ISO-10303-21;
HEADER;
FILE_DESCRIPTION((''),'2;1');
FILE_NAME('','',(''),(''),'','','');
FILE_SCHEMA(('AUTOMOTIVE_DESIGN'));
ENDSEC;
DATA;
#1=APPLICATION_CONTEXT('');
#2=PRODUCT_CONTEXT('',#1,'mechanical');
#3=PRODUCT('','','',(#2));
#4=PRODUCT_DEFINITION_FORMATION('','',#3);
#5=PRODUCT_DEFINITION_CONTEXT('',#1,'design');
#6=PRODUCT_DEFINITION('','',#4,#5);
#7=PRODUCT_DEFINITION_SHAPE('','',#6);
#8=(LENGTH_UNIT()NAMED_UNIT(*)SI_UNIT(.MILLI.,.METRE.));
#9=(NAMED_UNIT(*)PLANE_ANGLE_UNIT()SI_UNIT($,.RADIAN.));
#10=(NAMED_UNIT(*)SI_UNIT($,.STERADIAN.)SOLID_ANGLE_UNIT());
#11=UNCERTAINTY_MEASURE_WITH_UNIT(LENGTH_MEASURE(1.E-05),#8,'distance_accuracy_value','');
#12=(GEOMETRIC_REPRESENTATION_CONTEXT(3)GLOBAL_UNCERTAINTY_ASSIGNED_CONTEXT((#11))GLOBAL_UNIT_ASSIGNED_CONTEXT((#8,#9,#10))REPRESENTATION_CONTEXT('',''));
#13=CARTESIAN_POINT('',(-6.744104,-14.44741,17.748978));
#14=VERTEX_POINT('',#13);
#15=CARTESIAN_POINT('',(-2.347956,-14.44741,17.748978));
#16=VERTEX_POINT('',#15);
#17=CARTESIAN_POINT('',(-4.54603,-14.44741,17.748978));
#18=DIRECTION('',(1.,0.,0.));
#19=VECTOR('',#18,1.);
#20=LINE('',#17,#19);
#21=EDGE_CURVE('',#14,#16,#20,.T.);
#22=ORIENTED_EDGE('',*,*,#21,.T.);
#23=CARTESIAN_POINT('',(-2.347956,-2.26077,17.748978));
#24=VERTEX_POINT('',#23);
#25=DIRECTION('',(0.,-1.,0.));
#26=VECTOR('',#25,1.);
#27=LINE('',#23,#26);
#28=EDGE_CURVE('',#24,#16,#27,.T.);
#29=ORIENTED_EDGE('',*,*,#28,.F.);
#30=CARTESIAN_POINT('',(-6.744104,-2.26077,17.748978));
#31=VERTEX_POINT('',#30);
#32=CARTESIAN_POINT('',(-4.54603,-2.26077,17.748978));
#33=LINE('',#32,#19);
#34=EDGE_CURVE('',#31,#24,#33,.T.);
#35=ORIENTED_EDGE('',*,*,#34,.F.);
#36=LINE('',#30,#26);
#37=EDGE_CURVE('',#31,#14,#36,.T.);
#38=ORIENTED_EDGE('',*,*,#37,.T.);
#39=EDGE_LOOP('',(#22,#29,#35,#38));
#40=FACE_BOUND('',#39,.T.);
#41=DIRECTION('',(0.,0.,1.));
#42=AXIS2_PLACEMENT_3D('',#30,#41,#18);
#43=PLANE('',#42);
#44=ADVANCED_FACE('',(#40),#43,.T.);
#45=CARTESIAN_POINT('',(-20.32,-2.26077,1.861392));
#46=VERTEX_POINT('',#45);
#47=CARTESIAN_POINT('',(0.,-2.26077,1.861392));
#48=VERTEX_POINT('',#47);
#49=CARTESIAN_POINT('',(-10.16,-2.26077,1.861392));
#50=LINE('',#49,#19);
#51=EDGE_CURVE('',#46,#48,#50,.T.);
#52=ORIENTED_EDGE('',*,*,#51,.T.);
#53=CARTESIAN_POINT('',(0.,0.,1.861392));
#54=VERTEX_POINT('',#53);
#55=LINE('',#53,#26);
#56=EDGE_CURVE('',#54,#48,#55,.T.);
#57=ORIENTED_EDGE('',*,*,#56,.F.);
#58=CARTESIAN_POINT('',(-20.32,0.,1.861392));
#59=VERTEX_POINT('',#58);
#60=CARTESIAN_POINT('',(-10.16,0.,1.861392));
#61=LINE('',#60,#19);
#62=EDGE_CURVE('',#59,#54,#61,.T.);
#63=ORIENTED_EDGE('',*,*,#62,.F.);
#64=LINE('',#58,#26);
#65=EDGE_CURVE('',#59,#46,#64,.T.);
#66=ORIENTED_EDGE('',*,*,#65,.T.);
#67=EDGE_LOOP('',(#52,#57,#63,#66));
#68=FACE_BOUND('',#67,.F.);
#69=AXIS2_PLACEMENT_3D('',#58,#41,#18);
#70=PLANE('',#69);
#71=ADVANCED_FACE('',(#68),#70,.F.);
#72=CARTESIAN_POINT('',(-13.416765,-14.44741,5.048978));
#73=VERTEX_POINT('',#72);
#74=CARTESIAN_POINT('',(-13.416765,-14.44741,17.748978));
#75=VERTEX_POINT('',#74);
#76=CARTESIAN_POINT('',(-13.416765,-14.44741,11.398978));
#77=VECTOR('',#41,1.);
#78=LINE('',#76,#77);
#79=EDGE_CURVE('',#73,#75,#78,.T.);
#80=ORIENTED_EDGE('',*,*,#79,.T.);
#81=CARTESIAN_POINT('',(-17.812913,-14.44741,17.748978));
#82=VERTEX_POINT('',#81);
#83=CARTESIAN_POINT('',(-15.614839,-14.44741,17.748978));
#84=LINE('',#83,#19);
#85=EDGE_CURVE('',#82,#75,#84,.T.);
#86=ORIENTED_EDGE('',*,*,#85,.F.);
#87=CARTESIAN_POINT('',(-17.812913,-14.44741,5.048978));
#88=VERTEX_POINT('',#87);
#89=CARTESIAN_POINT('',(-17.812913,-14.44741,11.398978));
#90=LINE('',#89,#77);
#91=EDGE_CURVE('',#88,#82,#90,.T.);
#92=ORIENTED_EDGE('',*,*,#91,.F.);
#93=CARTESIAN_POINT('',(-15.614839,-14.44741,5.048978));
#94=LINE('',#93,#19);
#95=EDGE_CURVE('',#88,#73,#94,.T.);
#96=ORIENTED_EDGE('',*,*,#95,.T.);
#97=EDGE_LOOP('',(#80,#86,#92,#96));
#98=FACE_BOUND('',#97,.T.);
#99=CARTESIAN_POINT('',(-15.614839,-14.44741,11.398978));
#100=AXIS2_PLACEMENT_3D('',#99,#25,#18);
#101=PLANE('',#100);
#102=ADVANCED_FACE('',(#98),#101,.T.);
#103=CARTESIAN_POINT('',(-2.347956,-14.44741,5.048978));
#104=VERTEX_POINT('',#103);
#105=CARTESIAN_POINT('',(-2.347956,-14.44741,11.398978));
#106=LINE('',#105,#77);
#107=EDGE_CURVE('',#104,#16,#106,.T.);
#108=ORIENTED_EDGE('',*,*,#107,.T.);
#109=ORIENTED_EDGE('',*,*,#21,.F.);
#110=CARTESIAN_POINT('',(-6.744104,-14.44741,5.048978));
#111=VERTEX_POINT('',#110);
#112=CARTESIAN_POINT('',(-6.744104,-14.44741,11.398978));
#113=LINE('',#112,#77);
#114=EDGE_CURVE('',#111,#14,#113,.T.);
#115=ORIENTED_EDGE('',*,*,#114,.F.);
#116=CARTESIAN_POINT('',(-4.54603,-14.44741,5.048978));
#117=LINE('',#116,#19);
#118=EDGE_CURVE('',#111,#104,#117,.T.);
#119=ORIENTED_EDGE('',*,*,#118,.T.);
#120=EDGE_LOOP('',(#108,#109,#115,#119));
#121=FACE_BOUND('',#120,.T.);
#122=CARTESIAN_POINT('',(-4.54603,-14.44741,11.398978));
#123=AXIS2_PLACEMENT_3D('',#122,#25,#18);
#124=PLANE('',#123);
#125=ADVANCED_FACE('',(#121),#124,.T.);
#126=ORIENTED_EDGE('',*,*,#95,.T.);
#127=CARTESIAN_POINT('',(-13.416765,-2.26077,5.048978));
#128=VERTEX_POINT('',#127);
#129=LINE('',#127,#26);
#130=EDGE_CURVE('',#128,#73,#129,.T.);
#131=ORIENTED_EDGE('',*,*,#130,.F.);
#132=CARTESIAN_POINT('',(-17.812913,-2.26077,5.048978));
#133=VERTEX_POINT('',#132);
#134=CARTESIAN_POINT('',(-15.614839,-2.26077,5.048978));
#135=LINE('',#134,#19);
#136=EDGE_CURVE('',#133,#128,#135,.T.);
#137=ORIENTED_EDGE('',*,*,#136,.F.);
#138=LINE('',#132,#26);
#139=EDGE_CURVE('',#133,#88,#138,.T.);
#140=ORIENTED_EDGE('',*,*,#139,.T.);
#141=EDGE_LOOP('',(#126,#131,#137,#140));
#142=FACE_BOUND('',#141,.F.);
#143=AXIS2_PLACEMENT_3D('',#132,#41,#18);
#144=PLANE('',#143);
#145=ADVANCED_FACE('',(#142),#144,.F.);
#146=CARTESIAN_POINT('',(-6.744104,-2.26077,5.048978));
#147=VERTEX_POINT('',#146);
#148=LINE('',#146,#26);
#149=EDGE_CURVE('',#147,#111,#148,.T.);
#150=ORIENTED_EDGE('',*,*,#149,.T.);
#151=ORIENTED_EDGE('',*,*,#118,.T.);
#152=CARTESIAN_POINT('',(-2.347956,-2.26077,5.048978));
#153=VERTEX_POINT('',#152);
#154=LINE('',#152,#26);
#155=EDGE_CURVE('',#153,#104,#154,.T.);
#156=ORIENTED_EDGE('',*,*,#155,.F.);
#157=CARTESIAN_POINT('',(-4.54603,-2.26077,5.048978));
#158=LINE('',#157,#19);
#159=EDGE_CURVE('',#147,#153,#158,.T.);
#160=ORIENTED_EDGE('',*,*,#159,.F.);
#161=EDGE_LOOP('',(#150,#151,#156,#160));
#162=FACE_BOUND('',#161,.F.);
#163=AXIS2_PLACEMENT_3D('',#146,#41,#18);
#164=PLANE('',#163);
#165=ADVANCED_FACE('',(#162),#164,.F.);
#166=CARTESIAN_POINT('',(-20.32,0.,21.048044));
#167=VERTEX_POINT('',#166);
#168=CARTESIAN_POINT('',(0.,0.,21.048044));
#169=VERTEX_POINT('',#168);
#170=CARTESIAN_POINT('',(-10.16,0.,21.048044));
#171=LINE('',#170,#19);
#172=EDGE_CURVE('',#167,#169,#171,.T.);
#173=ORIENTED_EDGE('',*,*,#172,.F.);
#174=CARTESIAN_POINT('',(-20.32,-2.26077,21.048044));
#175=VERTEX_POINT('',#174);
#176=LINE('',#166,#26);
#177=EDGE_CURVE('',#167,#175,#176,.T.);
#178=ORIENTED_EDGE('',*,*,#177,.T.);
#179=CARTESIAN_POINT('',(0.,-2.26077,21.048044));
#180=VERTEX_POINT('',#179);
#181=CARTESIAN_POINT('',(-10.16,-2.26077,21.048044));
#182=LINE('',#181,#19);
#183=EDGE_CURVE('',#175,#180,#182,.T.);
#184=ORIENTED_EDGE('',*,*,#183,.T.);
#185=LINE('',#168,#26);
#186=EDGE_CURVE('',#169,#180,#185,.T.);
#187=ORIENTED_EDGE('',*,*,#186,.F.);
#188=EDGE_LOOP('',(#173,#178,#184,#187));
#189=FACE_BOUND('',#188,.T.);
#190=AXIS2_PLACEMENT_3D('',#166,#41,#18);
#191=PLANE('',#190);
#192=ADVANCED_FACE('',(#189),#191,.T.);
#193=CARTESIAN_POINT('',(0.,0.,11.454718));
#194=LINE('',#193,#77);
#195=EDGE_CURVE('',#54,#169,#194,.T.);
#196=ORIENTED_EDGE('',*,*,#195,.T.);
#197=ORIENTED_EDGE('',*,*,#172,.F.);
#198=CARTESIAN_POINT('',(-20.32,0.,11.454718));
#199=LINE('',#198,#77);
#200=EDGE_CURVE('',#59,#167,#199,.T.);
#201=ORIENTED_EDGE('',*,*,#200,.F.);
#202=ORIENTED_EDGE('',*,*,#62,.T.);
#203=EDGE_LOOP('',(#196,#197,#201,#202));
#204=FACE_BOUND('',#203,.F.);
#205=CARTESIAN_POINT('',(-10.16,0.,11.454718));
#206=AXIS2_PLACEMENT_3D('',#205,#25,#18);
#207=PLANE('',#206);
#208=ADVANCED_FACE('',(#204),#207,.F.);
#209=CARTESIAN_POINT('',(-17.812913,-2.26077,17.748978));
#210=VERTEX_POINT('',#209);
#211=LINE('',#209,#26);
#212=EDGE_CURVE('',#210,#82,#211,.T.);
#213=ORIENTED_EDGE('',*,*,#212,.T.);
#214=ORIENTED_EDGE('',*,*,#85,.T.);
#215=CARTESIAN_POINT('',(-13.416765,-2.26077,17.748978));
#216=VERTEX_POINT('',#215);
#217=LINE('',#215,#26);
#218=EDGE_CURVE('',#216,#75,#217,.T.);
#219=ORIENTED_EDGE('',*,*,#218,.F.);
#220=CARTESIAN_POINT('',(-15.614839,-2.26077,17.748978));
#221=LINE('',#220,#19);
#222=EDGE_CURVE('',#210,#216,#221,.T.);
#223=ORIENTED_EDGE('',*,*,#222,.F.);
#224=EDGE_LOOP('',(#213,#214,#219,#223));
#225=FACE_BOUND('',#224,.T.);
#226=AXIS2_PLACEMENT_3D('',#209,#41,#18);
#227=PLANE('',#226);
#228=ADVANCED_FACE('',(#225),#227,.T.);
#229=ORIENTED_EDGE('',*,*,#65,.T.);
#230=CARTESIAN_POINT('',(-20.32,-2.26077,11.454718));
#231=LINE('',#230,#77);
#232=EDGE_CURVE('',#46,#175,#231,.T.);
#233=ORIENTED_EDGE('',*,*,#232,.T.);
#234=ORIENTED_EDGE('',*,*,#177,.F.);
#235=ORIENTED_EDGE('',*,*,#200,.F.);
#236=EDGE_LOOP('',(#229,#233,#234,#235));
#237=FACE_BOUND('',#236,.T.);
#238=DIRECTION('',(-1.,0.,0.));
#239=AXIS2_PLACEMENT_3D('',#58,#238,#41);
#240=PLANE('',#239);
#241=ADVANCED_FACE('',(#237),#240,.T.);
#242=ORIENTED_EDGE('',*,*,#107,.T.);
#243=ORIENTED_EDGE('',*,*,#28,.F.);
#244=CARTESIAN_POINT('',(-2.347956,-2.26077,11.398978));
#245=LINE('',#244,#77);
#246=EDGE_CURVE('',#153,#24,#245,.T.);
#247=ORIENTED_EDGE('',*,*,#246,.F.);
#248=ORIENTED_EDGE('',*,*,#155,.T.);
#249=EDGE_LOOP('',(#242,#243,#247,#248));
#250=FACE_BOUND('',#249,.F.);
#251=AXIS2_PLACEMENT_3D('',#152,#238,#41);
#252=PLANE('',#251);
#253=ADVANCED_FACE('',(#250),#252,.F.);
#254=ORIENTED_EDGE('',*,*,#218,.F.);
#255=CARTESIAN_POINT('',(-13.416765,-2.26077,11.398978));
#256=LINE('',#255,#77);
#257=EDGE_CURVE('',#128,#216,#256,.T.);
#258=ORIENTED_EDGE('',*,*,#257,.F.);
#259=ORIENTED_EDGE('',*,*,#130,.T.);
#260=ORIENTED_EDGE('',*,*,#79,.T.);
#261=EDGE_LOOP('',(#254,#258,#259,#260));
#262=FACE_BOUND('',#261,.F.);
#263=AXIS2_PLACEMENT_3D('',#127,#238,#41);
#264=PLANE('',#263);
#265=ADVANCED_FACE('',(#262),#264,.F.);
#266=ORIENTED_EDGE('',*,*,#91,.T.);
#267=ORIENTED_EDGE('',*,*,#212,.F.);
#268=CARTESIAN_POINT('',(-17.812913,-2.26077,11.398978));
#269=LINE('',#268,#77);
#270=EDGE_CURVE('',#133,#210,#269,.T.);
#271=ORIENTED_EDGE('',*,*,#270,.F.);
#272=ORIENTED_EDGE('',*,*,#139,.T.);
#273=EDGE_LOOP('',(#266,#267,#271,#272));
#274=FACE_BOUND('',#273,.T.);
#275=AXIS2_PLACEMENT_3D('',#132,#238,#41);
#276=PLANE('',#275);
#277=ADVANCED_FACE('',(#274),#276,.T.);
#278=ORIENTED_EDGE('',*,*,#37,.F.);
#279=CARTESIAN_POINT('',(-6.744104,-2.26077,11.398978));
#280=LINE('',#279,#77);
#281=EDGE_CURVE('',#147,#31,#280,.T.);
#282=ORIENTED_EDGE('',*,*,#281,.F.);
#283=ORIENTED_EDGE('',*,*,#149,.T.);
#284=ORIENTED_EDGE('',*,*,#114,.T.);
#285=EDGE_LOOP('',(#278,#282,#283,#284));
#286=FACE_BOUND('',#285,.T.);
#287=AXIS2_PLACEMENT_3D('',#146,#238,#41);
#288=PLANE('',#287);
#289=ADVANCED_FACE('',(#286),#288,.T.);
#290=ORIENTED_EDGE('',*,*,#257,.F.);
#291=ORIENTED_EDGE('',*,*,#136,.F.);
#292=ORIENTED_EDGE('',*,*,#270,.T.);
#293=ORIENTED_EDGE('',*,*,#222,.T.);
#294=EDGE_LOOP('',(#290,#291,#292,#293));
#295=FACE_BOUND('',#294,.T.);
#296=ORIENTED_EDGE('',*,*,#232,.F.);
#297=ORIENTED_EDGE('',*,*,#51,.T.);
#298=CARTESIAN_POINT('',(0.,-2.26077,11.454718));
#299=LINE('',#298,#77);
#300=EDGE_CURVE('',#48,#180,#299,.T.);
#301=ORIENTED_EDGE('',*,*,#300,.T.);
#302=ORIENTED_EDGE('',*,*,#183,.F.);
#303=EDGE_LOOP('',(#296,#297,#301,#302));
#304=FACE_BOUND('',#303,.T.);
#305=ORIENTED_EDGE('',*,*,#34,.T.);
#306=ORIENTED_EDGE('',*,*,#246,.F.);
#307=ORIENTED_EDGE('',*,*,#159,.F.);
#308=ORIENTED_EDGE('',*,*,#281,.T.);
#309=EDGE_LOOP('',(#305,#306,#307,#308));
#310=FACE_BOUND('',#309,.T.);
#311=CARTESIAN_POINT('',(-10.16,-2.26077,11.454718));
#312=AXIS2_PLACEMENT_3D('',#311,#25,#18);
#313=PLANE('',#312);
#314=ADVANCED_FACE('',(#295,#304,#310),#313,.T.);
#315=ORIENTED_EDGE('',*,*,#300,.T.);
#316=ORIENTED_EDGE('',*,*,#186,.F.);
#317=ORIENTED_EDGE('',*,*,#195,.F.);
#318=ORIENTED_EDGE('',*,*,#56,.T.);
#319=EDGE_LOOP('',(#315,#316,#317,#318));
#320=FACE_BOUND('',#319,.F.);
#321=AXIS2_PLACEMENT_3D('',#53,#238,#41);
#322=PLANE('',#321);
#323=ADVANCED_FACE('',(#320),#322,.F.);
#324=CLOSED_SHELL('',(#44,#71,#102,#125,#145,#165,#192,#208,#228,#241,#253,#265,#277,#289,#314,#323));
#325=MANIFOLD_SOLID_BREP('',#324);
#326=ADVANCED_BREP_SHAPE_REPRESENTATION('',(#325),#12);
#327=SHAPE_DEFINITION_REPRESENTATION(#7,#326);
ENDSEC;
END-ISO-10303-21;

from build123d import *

# Parameters (mm, degrees)
F0_W     = 20.32
F0_H     = 19.186653
F1_DEPTH = 2.26077
F2_W     = 4.396148
F2_H     = 12.7
F3_DEPTH = 12.18664


with BuildPart() as f1:
    # F0 (on Front) → F1 (new body)
    with BuildSketch(Plane.XZ):
        with Locations((-10.16, 11.454718)):
            Rectangle(F0_W, F0_H)
    extrude(amount=F1_DEPTH)

    # F2 (on face) → F3 (join)
    with BuildSketch(Plane.XZ.offset(2.26077)):
        with Locations((-15.614839, 11.398978)):
            Rectangle(F2_W, F2_H)
        with Locations((-4.54603, 11.398978)):
            Rectangle(F2_W, F2_H)
    extrude(amount=F3_DEPTH)


solid = f1.part
